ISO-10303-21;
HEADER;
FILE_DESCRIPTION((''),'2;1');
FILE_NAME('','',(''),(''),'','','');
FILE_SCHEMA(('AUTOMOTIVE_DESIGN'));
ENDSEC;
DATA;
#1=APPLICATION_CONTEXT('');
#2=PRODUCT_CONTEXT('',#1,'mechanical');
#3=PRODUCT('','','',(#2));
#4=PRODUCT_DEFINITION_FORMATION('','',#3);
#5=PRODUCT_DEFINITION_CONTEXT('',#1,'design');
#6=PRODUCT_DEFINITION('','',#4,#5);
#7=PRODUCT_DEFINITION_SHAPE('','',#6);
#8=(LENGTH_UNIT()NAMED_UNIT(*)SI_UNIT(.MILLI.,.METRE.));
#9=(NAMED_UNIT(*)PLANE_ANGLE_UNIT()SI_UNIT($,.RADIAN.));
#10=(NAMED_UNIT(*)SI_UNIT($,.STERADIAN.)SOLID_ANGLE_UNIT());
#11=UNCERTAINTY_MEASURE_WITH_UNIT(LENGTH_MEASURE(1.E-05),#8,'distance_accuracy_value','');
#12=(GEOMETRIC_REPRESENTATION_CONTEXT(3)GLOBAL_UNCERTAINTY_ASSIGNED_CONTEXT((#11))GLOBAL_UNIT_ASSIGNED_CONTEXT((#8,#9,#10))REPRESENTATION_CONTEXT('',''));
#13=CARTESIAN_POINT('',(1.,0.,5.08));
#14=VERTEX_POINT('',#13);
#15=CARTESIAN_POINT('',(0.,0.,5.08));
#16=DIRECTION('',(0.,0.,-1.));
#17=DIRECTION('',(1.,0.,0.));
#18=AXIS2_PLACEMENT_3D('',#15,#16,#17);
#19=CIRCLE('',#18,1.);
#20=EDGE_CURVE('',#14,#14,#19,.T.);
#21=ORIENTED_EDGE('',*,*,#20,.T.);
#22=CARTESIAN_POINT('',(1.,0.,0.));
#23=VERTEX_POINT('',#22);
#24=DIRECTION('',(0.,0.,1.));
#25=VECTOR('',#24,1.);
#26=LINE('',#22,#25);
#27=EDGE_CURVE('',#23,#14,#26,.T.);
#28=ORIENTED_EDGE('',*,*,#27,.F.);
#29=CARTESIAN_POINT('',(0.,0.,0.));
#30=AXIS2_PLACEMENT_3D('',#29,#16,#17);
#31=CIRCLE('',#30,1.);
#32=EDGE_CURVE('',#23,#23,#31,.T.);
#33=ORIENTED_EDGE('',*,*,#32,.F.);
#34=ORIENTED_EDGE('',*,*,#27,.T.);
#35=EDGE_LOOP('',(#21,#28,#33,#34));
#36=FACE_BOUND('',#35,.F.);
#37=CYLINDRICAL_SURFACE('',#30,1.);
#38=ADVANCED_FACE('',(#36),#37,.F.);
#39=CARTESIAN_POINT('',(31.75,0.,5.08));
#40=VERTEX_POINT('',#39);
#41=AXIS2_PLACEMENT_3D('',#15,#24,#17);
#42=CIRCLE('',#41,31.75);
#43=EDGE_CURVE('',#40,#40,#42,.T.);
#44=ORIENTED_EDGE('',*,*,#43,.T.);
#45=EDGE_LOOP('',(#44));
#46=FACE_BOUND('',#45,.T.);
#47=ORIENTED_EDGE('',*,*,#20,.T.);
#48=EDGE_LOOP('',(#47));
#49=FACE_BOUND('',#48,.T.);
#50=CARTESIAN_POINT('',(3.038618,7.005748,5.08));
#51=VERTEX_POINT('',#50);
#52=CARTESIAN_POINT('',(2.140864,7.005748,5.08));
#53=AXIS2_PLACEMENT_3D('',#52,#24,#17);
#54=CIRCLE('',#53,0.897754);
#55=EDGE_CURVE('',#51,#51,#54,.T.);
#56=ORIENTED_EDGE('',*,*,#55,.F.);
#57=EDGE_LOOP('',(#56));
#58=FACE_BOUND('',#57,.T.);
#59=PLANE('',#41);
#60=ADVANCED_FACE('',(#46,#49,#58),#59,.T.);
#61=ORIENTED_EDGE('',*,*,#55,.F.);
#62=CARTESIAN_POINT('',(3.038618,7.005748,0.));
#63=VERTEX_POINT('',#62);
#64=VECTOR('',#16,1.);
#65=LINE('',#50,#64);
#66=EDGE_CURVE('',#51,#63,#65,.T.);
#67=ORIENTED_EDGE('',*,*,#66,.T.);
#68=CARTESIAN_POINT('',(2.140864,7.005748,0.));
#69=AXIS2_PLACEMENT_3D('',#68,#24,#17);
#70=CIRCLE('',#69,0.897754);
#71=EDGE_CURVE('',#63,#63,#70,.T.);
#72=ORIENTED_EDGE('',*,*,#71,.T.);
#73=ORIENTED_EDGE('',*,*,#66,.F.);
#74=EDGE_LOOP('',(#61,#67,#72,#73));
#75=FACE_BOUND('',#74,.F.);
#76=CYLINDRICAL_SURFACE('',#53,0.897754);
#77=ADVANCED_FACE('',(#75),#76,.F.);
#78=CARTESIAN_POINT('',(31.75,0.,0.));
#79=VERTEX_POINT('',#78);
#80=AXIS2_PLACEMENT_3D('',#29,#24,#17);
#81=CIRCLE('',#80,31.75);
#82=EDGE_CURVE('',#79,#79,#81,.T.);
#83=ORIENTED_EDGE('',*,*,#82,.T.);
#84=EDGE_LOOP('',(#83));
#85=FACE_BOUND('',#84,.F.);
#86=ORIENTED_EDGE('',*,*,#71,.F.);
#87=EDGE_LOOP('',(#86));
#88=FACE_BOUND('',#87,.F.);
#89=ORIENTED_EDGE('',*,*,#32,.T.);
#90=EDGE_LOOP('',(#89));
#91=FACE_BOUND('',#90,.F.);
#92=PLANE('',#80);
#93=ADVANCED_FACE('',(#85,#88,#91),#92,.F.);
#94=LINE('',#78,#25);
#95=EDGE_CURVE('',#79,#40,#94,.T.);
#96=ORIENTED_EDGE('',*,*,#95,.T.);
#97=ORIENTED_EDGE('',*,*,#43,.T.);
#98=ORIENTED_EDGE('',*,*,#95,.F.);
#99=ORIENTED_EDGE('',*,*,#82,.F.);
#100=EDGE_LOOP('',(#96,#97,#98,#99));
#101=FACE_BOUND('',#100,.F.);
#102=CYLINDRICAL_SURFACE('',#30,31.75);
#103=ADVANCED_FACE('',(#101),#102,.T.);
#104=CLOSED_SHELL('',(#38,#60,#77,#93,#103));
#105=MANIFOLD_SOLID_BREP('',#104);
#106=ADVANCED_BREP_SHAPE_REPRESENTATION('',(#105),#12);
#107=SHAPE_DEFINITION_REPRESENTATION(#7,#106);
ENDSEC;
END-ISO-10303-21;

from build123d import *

# Parameters (mm, degrees)
F0_R     = 31.75
F1_DEPTH = 5.08
F2_R     = 1
F3_DEPTH = 5.081
F4_R     = 0.897754
F5_DEPTH = 5.081


with BuildPart() as f1:
    # F0 (on Top) → F1 (new body)
    with BuildSketch(Plane.XY):
        Circle(F0_R)
    extrude(amount=F1_DEPTH)

    # F2 (on face) → F3 (cut, through all)
    with BuildSketch(Plane(origin=(0, 0, 0), x_dir=(1, 0, 0), z_dir=(0, 0, -1))):
        Circle(F2_R)
    extrude(amount=-F3_DEPTH, mode=Mode.SUBTRACT)

    # F4 (on face) → F5 (cut, through all)
    with BuildSketch(Plane.XY.offset(5.08)):
        with Locations((2.140864, 7.005748)):
            Circle(F4_R)
    extrude(amount=-F5_DEPTH, mode=Mode.SUBTRACT)


solid = f1.part
